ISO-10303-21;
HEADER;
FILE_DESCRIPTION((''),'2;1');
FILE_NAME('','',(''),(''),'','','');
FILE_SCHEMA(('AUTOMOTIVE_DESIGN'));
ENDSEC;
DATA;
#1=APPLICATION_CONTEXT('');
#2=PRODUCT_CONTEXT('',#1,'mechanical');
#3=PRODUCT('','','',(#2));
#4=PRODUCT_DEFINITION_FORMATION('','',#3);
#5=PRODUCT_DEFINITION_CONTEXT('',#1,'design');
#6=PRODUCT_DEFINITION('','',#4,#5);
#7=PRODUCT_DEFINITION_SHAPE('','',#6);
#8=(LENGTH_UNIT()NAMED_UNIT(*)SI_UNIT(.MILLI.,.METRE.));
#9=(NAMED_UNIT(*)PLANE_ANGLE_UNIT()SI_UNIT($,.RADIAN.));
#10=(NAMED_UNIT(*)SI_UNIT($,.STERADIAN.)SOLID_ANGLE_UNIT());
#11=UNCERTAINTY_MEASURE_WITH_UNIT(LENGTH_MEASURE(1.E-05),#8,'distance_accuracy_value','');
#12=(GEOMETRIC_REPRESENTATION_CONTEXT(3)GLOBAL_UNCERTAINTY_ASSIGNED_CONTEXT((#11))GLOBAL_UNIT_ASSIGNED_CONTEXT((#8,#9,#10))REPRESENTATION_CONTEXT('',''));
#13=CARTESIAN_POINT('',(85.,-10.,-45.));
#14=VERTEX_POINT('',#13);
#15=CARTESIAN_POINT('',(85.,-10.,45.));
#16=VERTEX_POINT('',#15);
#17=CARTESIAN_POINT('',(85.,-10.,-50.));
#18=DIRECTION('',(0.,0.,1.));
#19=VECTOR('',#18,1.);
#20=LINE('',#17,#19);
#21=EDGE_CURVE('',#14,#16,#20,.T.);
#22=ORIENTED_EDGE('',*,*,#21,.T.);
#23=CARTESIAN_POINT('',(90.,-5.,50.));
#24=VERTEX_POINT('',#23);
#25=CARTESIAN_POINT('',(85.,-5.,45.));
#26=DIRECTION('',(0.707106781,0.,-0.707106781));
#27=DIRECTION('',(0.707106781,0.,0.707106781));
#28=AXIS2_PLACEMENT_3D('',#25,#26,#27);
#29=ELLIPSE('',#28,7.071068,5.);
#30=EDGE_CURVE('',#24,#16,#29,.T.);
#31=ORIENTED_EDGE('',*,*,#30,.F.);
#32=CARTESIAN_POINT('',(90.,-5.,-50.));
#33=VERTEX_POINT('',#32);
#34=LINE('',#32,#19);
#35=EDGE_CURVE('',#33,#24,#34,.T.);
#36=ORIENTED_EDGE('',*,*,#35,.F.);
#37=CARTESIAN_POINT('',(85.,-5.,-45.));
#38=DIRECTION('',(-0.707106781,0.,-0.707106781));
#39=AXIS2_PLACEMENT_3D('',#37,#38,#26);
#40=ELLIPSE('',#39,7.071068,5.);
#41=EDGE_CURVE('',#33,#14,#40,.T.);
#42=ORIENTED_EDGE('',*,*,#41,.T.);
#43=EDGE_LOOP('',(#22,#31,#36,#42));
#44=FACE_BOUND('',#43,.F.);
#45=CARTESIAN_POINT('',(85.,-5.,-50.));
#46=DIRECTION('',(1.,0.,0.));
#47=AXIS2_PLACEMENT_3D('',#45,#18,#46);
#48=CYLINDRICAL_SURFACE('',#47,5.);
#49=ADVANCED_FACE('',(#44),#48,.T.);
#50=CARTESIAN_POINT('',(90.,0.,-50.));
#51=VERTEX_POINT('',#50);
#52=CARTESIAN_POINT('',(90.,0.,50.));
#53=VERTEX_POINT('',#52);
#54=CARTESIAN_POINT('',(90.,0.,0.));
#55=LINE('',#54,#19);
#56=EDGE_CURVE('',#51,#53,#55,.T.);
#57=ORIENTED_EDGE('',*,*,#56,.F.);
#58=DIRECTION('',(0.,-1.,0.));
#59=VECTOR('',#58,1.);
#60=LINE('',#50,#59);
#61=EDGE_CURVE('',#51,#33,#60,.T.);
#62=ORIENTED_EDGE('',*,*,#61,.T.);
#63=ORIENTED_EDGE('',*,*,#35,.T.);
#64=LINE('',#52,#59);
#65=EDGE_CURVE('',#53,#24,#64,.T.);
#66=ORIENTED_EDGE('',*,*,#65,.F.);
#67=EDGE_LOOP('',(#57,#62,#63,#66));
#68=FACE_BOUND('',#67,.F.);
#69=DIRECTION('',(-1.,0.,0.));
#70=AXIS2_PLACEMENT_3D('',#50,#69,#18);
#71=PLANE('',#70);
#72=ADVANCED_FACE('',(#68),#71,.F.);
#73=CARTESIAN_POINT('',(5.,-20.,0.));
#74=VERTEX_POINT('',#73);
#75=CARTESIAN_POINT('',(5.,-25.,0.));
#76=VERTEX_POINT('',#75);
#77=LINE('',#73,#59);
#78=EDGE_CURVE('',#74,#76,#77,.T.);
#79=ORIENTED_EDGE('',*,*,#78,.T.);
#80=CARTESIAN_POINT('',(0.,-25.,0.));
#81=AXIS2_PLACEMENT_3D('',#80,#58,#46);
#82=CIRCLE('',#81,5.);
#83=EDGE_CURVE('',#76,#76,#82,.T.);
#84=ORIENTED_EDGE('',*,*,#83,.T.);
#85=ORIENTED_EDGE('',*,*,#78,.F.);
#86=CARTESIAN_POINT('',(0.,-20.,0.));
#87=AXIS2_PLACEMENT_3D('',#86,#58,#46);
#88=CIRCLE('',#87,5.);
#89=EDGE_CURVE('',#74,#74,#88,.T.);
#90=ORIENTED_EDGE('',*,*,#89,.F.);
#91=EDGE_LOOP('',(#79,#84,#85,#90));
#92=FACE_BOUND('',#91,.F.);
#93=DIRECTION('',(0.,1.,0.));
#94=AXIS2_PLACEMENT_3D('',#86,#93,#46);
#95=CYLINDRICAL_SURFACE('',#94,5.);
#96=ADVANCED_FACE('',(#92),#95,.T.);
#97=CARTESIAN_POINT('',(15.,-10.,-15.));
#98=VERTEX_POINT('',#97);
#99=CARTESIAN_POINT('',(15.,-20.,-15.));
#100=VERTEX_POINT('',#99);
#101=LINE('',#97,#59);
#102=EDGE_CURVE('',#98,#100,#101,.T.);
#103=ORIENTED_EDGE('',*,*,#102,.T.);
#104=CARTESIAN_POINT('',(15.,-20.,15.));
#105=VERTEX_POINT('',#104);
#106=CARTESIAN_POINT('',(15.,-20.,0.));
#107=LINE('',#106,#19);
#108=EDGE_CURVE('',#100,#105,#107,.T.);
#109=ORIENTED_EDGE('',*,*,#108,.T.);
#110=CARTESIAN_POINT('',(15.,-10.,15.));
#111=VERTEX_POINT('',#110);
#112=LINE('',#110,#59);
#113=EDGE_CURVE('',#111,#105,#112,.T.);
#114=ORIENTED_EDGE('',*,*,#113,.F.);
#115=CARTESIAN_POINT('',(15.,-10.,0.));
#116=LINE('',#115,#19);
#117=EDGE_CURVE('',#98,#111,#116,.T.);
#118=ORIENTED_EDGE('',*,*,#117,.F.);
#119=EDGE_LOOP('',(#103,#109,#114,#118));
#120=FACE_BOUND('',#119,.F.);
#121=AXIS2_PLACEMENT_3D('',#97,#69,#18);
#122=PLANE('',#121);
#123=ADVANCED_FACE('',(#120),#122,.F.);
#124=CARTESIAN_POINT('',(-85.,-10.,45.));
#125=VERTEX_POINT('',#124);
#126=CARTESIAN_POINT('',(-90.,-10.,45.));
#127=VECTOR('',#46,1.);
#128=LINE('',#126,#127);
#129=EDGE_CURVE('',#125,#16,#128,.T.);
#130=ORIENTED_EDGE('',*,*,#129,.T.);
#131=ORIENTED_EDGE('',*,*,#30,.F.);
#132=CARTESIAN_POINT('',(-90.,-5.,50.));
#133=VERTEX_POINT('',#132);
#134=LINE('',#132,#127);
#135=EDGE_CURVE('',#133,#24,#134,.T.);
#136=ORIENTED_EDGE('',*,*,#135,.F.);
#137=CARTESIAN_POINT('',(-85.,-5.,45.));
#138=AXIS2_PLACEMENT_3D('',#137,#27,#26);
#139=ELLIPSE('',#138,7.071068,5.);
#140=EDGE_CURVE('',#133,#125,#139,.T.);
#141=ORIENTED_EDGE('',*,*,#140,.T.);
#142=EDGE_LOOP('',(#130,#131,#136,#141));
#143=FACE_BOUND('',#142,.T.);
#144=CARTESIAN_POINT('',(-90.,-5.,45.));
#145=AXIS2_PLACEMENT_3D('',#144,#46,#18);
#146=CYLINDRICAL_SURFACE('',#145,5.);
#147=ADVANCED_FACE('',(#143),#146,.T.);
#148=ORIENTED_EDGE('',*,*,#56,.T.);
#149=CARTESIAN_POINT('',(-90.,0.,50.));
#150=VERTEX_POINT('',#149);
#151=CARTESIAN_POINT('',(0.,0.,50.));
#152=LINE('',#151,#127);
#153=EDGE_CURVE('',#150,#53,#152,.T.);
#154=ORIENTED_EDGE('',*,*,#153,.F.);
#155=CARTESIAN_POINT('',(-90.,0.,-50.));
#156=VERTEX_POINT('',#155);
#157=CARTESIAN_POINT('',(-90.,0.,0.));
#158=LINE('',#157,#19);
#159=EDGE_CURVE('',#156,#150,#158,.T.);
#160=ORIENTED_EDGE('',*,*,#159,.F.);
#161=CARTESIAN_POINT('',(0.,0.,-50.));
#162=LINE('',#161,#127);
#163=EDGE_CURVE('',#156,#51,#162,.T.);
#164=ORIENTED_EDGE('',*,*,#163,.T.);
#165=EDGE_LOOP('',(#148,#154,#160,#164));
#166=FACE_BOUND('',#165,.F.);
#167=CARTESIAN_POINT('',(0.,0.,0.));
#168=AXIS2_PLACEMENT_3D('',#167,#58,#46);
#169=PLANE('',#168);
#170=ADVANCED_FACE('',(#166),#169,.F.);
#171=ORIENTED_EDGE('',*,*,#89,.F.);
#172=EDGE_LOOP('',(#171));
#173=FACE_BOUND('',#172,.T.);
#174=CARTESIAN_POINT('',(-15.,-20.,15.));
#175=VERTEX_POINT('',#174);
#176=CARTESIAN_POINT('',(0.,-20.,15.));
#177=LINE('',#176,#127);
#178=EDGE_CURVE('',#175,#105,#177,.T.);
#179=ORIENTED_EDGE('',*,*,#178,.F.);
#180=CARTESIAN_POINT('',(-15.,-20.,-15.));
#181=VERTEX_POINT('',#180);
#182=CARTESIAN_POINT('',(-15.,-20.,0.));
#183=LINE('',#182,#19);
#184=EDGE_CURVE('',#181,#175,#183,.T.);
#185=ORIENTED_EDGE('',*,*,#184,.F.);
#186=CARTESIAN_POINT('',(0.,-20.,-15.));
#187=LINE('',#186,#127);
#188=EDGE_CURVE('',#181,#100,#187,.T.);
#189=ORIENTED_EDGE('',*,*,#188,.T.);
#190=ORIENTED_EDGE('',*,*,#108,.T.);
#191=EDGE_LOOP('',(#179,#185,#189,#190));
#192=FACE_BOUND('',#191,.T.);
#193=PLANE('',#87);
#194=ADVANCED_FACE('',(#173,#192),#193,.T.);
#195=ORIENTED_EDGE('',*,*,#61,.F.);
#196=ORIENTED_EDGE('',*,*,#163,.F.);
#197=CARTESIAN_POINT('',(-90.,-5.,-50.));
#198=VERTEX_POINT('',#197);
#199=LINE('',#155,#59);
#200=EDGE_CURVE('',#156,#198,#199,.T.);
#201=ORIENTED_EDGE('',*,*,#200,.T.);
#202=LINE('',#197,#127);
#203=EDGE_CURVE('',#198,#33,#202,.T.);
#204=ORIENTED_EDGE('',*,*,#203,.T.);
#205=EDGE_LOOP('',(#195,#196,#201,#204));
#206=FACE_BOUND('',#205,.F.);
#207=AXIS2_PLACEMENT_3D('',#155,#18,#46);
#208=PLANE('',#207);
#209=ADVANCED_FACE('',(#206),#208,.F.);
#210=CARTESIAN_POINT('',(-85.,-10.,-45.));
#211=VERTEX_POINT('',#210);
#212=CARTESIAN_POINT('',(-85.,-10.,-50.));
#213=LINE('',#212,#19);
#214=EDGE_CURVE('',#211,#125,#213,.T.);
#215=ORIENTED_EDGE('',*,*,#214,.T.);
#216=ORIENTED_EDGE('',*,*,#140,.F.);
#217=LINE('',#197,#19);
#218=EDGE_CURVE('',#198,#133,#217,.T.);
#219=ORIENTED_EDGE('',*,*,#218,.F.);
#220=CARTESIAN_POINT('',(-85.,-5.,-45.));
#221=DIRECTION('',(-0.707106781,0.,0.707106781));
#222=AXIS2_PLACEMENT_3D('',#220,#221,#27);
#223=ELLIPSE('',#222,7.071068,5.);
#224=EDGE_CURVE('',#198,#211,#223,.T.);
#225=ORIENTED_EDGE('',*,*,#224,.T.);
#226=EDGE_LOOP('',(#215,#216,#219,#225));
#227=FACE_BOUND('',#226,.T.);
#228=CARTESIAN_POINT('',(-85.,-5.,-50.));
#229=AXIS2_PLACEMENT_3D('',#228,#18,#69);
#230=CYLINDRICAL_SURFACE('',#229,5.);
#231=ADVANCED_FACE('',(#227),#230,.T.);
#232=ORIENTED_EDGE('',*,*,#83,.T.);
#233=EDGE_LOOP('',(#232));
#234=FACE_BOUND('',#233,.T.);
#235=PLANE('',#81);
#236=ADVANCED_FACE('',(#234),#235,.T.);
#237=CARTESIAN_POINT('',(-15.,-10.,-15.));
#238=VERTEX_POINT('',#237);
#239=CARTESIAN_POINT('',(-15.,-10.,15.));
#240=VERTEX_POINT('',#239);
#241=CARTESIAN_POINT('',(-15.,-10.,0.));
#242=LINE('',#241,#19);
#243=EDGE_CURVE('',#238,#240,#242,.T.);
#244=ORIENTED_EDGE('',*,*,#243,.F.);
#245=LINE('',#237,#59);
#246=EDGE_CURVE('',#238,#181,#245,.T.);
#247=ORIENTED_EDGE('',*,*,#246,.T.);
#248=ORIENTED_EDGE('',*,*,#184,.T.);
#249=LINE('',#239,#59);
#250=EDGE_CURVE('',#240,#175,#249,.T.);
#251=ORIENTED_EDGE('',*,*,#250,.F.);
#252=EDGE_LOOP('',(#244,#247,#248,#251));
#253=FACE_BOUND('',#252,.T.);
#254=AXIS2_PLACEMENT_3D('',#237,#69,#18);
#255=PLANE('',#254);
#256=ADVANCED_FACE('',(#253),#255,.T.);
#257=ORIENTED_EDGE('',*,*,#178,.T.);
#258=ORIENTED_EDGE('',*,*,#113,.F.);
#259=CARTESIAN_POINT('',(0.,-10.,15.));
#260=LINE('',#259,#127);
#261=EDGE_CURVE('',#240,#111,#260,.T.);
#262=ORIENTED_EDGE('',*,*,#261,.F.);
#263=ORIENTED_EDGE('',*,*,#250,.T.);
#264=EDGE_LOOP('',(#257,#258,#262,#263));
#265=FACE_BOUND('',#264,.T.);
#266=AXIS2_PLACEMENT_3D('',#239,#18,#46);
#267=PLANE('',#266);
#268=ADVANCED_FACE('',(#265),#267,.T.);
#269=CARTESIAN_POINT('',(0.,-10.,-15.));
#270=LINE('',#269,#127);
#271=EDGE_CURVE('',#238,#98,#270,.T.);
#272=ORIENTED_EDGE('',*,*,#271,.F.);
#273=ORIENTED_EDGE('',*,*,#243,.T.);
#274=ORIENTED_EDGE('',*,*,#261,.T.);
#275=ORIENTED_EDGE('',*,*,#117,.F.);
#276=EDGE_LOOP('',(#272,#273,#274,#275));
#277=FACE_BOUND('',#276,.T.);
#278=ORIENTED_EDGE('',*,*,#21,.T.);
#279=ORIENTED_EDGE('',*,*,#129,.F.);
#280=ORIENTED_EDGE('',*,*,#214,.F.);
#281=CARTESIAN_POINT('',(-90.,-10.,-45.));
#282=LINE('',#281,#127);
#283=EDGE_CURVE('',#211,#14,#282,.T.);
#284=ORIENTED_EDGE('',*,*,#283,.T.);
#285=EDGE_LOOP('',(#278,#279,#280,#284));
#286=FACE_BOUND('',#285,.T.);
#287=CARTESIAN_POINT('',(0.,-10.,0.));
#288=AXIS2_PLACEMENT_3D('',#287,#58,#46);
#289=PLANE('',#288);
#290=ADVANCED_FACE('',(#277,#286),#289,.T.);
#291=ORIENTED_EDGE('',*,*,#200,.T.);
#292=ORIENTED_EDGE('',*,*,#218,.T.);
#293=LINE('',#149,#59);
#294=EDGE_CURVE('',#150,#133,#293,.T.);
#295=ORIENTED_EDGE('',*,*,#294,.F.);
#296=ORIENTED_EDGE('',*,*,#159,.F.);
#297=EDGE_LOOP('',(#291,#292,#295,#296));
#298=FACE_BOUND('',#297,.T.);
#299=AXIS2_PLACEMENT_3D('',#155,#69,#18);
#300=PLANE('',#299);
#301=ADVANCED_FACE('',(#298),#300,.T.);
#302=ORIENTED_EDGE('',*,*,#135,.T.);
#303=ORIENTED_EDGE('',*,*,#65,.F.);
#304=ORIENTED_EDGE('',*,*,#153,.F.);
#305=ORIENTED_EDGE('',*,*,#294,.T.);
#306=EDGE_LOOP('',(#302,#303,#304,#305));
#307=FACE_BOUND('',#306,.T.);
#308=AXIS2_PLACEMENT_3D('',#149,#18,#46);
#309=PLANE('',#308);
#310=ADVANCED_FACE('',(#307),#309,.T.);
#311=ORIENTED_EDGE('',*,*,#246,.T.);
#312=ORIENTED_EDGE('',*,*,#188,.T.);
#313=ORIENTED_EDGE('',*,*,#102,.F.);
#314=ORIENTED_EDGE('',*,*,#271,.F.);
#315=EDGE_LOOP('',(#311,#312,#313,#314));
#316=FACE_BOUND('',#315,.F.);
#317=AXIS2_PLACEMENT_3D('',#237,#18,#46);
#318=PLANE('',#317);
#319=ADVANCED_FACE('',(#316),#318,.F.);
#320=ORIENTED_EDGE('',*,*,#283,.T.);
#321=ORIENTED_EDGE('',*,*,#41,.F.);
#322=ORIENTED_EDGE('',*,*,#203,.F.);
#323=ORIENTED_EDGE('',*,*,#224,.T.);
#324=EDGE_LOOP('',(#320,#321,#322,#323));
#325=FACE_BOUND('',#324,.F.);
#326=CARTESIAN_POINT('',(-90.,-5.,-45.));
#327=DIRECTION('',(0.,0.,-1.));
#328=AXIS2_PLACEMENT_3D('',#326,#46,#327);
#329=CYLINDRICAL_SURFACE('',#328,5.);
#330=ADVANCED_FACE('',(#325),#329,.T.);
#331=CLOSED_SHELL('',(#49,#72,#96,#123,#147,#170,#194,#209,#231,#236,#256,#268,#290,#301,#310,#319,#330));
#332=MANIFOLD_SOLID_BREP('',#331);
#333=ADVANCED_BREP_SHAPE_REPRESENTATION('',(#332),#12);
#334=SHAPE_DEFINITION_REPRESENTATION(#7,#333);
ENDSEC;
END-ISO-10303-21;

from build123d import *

# Parameters (mm, degrees)
F0_W     = 180
F0_H     = 100
F1_DEPTH = 10
F2_R     = 5
F3_W     = 30
F3_H     = 30
F4_DEPTH = 10
F5_R     = 5
F6_DEPTH = 5


with BuildPart() as f1:
    # F0 (on Front) → F1 (new body)
    with BuildSketch(Plane.XZ):
        Rectangle(F0_W, F0_H)
    extrude(amount=F1_DEPTH)

    # F2
    f2_edges = [f1.edges().sort_by_distance(p)[0] for p in [
        (0, -10, 50),
        (-90, -10, 0),
        (0, -10, -50),
        (90, -10, 0),
    ]]
    fillet(f2_edges, radius=F2_R)

    # F3 (on face) → F4 (join)
    with BuildSketch(Plane.XZ.offset(10)):
        Rectangle(F3_W, F3_H)
    extrude(amount=F4_DEPTH)

    # F5 (on face) → F6 (join)
    with BuildSketch(Plane.XZ.offset(20)):
        Circle(F5_R)
    extrude(amount=F6_DEPTH)


solid = f1.part
